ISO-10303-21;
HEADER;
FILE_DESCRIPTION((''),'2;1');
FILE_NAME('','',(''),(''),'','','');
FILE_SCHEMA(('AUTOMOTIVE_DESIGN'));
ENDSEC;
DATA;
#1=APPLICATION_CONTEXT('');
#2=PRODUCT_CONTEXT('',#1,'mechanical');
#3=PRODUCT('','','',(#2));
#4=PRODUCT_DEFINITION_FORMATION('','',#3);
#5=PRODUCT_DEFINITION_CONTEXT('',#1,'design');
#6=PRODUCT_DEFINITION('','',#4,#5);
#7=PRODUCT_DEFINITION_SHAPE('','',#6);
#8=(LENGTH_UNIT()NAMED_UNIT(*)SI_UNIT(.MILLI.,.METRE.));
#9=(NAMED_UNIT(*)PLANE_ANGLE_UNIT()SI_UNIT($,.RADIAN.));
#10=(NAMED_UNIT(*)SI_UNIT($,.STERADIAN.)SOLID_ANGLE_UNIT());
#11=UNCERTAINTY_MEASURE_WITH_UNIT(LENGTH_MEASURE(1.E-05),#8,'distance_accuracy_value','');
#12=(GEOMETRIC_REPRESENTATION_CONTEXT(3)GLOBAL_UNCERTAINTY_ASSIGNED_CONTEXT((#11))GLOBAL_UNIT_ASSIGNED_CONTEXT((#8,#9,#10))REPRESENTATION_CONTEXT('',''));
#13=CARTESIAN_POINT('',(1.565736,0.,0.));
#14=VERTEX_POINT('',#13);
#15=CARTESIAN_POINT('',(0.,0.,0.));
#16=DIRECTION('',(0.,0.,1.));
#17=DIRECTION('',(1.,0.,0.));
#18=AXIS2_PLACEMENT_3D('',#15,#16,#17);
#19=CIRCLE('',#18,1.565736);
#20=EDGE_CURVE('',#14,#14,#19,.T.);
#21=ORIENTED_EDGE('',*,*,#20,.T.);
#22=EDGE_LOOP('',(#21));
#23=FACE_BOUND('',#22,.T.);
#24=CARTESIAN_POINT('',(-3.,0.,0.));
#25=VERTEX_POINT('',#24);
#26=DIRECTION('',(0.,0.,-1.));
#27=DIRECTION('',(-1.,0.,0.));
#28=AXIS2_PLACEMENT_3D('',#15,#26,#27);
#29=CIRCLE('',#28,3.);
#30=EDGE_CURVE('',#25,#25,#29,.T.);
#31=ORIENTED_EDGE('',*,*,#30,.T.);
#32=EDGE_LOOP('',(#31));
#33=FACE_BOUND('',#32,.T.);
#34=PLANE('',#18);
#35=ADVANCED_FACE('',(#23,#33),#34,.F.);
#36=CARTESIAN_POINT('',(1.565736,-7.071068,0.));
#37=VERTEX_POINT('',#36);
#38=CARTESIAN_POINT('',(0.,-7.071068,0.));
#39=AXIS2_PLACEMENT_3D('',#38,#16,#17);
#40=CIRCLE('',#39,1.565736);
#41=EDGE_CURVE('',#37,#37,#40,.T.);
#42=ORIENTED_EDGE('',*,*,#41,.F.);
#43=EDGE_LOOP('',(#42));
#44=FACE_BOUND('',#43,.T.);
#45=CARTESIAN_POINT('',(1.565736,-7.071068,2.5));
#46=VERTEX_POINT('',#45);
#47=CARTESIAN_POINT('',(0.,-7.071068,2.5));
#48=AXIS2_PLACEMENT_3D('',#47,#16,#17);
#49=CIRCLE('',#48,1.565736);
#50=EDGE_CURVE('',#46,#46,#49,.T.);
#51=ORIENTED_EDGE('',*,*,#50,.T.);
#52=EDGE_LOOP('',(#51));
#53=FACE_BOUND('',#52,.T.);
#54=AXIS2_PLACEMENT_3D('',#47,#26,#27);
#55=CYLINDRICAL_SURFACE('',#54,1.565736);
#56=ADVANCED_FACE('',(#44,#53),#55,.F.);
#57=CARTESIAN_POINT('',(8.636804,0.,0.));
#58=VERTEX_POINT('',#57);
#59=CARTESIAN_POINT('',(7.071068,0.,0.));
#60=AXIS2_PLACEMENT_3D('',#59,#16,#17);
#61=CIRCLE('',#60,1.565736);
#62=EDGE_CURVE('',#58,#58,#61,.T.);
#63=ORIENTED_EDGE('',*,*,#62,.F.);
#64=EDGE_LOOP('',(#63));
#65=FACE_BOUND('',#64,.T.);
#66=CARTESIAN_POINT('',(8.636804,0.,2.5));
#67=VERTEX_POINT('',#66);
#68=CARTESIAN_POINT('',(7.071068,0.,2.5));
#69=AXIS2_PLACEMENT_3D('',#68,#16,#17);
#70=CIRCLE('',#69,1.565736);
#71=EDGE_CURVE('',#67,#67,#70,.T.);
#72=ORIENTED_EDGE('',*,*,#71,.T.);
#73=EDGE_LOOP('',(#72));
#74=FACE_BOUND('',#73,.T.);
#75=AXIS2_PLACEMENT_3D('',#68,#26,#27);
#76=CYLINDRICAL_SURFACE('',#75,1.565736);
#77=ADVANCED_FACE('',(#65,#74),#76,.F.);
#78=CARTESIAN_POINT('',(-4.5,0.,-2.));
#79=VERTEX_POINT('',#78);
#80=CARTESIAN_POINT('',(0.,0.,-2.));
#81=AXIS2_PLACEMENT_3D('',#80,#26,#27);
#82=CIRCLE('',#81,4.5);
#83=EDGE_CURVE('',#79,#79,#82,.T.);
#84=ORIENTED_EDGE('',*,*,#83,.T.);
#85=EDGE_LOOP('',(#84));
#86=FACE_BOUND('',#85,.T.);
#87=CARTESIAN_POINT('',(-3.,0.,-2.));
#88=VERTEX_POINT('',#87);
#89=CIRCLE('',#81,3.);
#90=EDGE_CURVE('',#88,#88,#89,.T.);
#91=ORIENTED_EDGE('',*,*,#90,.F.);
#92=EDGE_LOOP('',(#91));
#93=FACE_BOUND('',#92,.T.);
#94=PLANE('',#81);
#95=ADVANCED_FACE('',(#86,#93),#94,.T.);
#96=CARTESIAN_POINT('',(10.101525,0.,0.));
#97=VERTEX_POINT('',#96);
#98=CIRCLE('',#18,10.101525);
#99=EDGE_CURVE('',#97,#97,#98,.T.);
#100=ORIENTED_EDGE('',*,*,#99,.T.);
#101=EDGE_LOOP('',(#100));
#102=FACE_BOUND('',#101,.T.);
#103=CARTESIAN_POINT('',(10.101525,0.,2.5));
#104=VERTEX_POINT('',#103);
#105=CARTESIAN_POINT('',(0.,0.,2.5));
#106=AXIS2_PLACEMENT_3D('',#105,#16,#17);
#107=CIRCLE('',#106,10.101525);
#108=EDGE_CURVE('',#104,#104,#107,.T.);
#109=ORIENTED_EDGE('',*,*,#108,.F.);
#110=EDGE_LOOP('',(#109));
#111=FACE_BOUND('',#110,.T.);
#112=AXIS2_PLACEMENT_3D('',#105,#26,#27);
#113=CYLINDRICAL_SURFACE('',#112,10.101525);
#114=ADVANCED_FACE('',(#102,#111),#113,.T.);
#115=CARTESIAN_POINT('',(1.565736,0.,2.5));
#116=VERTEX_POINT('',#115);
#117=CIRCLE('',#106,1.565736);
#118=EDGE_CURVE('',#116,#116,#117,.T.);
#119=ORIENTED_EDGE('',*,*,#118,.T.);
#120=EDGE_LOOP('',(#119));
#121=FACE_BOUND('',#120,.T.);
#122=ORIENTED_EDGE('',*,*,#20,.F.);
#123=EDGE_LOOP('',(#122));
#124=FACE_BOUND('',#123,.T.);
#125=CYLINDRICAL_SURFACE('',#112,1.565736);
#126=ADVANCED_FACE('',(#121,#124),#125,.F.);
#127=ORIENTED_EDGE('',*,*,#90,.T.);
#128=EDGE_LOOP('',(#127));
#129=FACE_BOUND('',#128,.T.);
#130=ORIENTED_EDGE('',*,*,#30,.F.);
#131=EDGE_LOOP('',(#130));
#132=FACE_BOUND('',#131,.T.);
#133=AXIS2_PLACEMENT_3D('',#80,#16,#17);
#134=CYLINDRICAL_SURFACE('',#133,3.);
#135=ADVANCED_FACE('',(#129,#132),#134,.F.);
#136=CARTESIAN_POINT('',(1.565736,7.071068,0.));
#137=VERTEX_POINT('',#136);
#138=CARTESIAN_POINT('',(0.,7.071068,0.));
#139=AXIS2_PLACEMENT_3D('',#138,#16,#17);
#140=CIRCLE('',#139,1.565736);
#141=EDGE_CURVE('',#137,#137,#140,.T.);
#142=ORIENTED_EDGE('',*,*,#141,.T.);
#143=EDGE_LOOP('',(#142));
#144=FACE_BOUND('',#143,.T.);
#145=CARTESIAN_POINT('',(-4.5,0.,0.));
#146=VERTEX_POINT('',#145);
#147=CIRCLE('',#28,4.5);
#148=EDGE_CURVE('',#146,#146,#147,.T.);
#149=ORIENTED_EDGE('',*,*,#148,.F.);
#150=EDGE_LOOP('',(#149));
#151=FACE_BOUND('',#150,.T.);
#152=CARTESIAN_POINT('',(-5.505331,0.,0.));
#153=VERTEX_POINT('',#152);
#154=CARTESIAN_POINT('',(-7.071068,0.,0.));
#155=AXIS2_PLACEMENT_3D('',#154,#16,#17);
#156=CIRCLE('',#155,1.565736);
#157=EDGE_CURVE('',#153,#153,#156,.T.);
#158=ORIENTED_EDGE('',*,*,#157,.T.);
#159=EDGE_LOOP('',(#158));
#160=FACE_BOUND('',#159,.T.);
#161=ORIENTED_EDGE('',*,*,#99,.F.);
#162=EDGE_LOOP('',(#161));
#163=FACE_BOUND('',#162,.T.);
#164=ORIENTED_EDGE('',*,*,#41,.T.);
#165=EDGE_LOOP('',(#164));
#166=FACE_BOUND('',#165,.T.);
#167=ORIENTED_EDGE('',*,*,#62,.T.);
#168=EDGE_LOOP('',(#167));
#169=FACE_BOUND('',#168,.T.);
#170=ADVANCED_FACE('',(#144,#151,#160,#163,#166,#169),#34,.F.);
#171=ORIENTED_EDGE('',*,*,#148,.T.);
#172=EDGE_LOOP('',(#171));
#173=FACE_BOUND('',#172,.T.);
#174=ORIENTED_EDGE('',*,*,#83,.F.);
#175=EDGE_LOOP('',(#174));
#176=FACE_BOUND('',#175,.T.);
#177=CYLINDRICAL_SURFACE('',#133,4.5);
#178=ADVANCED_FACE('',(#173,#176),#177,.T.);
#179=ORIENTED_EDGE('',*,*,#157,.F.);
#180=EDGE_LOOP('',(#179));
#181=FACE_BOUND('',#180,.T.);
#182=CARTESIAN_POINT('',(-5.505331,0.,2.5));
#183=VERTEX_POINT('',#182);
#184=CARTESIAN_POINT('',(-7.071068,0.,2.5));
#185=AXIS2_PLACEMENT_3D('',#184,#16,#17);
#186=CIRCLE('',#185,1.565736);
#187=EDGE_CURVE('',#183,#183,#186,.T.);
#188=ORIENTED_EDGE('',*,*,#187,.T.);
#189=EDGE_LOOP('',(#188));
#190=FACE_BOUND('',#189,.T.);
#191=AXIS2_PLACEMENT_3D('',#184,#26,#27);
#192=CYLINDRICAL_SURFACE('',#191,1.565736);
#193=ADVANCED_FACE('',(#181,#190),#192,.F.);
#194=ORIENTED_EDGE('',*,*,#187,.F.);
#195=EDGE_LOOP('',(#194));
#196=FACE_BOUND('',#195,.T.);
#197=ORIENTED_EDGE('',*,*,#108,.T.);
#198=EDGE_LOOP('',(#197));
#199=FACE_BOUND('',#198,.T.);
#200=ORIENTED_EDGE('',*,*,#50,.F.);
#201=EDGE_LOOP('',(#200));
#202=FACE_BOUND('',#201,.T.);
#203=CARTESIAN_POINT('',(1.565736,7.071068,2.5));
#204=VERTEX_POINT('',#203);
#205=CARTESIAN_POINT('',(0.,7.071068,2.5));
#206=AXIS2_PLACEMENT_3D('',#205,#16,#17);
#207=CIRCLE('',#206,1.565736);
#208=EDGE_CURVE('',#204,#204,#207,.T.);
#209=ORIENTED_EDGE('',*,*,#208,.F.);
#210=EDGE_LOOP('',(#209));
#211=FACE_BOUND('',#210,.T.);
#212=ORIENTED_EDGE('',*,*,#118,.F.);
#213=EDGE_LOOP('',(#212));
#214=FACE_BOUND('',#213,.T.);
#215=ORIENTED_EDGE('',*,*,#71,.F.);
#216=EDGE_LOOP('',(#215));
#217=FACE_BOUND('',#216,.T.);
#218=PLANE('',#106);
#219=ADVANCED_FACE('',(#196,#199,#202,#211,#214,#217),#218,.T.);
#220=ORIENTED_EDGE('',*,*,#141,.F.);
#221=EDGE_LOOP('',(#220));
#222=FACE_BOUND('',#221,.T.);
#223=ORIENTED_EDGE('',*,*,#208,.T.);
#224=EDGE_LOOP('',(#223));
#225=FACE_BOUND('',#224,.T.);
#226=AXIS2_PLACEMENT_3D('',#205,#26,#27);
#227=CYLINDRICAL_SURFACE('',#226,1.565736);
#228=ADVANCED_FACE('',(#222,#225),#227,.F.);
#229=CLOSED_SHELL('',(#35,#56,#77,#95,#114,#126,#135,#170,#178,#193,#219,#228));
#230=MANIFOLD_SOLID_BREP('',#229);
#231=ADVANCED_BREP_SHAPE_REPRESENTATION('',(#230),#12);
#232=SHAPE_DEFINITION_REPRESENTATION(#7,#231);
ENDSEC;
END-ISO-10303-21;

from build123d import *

# Parameters (mm, degrees)
SKETCH_1_R      = 10.101525446
SKETCH_1_R_2    = 1.565736444
EXTRUDE_1_DEPTH = 2.5
SKETCH_2_R      = 4.5
SKETCH_2_R_2    = 3
EXTRUDE_2_DEPTH = 2


with BuildPart() as part:
    # 草图1 → 凸台-拉伸1 (new body)
    with BuildSketch(Plane.XY):
        Circle(SKETCH_1_R)
        Circle(SKETCH_1_R_2, mode=Mode.SUBTRACT)
        with Locations((7.071067812, 0)):
            Circle(SKETCH_1_R_2, mode=Mode.SUBTRACT)
        with Locations((-7.071067812, 0)):
            Circle(SKETCH_1_R_2, mode=Mode.SUBTRACT)
        with Locations((0, 7.071067812)):
            Circle(SKETCH_1_R_2, mode=Mode.SUBTRACT)
        with Locations((0, -7.071067812)):
            Circle(SKETCH_1_R_2, mode=Mode.SUBTRACT)
    extrude(amount=EXTRUDE_1_DEPTH)

    # 草图2 → 凸台-拉伸2 (add)
    with BuildSketch(Plane(origin=(0, 0, 0), x_dir=(-1, 0, 0), z_dir=(0, 0, -1))):
        Circle(SKETCH_2_R)
        Circle(SKETCH_2_R_2, mode=Mode.SUBTRACT)
    extrude(amount=EXTRUDE_2_DEPTH)


solid = part.part
